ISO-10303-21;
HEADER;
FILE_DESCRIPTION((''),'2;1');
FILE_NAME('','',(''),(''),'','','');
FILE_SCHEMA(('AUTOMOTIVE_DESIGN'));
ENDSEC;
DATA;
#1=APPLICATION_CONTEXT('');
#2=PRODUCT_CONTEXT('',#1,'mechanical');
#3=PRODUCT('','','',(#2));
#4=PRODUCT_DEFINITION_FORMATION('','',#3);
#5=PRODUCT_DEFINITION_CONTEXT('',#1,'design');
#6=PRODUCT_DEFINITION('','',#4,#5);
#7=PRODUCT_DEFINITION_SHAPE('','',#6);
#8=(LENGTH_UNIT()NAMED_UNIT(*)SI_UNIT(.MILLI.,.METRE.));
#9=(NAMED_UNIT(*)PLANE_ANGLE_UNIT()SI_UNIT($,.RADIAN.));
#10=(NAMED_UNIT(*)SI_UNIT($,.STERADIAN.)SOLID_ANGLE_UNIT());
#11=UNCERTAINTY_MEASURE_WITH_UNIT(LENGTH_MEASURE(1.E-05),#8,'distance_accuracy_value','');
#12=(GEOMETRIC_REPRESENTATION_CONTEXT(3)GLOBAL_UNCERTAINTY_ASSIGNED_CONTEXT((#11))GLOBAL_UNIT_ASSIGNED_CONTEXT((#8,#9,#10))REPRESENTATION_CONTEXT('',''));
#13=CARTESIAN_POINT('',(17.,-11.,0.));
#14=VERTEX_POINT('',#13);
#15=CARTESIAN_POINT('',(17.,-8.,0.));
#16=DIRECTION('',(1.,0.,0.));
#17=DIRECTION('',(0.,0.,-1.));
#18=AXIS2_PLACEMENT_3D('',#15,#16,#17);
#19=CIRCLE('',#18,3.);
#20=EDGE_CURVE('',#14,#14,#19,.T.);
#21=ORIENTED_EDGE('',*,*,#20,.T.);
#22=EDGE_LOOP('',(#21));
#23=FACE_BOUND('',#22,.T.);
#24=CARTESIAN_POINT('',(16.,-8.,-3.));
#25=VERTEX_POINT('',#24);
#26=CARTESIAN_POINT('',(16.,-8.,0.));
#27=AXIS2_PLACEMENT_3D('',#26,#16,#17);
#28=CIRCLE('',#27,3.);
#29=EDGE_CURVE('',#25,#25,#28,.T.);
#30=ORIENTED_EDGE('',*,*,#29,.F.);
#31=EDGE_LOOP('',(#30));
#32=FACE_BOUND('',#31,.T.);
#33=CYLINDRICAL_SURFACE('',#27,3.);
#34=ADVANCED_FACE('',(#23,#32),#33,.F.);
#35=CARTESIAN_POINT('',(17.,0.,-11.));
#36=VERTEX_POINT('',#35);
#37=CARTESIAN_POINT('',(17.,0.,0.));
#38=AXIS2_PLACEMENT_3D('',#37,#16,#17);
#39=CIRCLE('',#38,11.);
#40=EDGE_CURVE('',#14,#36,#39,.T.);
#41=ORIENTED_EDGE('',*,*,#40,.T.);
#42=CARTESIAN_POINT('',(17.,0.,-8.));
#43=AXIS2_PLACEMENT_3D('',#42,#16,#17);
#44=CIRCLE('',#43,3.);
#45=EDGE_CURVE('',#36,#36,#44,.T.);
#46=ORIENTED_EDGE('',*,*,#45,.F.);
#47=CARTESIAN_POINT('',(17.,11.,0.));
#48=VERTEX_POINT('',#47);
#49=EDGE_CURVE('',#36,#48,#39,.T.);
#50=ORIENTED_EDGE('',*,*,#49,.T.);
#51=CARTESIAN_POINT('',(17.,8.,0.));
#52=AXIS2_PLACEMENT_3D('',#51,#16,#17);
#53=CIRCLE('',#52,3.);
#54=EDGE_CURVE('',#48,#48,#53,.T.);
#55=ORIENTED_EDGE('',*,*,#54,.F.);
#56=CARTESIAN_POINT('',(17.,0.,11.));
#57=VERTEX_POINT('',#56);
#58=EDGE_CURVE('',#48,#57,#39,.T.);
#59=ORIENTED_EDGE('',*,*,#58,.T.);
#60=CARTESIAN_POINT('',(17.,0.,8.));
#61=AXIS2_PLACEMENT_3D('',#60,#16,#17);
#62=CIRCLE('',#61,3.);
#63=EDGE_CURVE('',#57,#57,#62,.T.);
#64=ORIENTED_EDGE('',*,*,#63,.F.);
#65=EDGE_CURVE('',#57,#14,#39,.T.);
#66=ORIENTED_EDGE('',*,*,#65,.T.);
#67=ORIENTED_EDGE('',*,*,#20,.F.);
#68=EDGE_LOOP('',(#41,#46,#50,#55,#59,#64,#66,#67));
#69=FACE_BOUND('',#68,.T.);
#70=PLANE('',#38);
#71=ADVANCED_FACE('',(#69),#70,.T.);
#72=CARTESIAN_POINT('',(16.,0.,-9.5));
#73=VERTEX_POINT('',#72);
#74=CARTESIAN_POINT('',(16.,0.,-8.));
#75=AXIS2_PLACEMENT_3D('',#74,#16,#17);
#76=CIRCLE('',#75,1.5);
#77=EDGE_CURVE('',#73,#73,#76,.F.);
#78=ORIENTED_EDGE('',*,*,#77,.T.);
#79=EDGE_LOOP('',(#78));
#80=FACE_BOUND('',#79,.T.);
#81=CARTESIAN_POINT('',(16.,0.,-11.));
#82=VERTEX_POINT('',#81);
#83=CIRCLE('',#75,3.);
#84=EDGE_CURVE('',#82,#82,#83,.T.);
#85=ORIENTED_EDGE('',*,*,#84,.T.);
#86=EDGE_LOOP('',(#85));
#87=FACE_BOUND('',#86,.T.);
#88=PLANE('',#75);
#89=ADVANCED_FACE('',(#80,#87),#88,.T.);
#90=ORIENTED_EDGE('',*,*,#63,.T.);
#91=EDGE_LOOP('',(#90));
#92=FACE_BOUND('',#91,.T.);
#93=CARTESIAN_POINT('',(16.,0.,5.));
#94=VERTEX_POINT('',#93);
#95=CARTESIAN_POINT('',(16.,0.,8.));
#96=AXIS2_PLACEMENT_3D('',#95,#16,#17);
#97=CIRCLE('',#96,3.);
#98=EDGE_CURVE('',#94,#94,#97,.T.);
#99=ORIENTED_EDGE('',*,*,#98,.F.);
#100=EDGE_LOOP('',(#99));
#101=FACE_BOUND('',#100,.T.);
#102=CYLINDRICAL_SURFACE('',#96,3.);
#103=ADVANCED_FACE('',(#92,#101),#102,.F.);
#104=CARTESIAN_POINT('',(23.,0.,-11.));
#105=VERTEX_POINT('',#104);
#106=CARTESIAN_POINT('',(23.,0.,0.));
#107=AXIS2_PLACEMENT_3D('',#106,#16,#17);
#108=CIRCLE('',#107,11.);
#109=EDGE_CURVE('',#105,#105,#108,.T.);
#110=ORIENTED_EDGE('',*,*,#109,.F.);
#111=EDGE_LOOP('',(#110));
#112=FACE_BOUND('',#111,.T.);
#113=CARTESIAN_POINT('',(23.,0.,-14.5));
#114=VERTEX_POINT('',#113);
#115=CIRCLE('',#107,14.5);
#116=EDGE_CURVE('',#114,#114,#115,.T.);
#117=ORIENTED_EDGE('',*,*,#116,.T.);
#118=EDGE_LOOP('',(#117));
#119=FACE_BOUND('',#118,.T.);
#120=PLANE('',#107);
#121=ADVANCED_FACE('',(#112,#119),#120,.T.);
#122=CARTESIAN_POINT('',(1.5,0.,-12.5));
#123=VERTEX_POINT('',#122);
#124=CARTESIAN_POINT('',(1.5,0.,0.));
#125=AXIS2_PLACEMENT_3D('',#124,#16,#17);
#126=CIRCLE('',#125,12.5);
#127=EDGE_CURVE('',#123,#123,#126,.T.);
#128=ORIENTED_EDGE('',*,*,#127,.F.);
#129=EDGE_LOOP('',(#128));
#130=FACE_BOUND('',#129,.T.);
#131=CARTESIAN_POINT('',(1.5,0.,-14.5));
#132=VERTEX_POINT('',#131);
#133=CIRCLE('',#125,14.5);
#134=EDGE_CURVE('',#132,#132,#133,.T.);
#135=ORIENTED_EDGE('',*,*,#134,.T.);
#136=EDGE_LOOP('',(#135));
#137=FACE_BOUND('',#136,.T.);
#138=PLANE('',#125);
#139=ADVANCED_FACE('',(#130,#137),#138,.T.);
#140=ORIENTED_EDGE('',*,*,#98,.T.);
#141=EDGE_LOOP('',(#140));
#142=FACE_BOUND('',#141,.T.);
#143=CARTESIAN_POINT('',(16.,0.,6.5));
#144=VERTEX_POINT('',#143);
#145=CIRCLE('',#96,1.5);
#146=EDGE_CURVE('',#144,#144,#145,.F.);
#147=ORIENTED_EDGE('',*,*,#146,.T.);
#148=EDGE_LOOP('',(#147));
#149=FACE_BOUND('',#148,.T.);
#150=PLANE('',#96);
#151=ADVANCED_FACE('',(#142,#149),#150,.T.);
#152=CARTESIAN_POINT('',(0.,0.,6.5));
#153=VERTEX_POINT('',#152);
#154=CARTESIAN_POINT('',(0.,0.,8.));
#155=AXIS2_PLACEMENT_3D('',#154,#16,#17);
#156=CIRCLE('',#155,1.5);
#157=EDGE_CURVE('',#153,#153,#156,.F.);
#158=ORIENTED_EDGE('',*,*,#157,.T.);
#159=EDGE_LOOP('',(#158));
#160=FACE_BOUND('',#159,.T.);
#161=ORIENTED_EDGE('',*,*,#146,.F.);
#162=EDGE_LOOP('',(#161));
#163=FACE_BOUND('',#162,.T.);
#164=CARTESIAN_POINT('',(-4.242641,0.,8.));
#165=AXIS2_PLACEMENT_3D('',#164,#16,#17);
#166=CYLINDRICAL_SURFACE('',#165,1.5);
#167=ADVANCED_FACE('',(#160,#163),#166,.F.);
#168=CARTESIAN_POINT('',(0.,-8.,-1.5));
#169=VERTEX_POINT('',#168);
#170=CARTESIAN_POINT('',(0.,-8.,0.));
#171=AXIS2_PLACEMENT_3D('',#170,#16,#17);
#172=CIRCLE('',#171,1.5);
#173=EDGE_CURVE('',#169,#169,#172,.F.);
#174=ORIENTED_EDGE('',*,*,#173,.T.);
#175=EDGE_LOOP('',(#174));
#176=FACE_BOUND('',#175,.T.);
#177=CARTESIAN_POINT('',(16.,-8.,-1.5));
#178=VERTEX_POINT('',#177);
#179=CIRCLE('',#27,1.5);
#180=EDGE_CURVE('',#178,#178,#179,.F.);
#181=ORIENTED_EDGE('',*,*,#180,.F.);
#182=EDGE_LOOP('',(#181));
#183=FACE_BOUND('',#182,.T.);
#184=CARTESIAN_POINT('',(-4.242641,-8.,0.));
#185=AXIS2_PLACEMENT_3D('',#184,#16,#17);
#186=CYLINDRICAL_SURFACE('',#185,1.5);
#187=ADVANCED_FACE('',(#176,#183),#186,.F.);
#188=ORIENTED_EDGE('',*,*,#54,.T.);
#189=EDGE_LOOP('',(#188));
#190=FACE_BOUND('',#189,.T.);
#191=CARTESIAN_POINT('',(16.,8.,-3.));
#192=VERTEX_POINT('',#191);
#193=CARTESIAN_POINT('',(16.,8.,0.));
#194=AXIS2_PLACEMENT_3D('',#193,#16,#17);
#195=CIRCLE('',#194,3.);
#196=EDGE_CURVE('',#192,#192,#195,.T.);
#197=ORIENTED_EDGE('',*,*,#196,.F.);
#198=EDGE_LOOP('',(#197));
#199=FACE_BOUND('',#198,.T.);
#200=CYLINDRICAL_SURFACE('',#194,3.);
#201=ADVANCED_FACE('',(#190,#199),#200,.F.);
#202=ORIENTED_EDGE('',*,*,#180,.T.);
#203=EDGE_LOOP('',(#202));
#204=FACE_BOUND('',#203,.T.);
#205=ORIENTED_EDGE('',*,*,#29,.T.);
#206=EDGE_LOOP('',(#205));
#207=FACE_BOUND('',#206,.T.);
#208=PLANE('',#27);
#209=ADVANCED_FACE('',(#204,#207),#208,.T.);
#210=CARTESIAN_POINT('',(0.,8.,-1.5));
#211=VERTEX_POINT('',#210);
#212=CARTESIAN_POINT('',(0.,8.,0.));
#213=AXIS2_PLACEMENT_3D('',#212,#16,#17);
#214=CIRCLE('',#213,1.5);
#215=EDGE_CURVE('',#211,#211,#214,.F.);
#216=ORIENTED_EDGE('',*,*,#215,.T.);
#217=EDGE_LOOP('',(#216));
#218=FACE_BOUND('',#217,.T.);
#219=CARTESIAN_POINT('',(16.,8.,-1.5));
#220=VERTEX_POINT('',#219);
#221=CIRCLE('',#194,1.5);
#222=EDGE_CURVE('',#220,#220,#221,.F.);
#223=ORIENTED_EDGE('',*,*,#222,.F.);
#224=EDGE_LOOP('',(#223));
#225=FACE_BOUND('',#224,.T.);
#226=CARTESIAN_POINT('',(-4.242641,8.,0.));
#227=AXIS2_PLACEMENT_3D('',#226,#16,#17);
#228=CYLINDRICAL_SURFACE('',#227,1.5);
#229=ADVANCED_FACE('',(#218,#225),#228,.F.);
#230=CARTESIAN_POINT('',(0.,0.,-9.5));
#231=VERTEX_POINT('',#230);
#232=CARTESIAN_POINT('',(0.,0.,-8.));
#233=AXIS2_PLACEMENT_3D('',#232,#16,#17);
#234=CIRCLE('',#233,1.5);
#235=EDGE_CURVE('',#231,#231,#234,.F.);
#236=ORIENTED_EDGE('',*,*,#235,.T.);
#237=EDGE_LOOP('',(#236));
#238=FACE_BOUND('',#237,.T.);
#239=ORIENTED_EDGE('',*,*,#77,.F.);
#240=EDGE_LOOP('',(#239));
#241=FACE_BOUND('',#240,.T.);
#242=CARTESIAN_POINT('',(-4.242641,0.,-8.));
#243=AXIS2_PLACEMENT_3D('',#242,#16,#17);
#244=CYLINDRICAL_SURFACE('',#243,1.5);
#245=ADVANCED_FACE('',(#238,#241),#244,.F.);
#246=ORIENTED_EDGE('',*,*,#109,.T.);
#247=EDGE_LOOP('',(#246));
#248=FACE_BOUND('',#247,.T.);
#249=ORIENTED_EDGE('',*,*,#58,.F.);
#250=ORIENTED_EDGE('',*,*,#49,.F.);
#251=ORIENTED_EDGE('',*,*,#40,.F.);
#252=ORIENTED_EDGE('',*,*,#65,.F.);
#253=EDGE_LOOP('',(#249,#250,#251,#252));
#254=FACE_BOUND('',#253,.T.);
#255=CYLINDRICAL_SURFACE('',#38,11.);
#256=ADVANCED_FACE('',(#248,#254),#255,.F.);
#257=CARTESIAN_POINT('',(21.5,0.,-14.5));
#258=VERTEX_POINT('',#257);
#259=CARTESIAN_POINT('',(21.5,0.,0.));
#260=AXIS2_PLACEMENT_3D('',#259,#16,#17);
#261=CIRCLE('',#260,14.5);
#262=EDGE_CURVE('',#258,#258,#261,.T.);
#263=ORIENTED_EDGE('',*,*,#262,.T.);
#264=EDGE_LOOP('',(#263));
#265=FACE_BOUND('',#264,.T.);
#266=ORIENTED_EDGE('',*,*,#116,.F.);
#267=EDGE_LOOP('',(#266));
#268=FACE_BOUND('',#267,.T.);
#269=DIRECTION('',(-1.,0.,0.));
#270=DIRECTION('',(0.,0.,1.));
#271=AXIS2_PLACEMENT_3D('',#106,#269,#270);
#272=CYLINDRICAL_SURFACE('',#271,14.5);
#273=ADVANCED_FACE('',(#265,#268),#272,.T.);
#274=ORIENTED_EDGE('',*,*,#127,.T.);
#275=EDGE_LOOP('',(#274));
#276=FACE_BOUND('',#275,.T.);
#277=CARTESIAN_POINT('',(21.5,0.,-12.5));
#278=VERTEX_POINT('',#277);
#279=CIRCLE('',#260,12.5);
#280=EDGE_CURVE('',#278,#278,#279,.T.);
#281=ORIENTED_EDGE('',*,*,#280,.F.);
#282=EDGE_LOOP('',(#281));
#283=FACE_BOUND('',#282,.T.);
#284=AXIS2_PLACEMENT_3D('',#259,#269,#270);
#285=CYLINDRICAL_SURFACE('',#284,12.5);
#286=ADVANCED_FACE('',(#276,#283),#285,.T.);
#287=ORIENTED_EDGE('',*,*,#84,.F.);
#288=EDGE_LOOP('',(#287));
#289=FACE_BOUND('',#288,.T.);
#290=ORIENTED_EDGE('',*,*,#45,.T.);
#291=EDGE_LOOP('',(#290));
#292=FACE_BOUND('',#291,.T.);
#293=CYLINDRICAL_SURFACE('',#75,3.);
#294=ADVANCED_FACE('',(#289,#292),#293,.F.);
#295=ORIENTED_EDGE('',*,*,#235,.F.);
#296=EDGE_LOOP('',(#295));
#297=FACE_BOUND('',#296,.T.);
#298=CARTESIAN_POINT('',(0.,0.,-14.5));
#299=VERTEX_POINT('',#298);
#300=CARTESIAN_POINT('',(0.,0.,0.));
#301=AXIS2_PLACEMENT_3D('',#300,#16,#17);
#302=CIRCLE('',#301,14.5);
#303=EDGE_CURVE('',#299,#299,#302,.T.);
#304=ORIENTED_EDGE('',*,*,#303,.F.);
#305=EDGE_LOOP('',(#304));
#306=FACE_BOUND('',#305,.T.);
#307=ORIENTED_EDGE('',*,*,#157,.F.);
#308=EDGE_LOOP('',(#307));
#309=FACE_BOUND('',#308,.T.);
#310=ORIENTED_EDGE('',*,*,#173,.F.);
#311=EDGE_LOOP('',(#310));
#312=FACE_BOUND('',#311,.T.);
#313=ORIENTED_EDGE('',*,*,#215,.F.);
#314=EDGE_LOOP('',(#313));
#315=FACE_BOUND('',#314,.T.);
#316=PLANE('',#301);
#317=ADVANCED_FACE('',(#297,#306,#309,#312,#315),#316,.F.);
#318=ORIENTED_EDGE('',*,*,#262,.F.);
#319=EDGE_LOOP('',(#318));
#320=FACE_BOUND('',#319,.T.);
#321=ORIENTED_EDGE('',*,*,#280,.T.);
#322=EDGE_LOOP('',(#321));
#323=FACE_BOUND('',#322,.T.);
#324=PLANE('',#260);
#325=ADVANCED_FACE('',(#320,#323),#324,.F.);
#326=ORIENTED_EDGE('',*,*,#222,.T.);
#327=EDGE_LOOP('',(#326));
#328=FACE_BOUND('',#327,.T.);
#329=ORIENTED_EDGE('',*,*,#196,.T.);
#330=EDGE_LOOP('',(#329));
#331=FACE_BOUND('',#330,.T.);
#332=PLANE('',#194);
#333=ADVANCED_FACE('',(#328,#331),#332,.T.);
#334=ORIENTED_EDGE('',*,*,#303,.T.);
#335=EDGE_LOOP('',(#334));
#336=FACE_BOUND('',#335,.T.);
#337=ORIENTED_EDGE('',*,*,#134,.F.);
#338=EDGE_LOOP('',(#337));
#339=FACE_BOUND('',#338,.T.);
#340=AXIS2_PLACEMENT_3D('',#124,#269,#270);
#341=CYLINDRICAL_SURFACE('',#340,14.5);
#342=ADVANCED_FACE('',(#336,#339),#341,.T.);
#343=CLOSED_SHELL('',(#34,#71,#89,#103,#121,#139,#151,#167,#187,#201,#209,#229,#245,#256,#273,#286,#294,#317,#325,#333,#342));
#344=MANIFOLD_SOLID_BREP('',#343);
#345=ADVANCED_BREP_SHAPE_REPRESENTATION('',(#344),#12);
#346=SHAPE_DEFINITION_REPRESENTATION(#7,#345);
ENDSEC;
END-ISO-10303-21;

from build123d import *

# Parameters (mm, degrees)
SKETCH1_R           = 14.5
BOSS_EXTRUDE1_DEPTH = 1.5
SKETCH2_R           = 12.5
BOSS_EXTRUDE2_DEPTH = 20
SKETCH3_R           = 14.5
BOSS_EXTRUDE3_DEPTH = 1.5
SKETCH4_R           = 11
CUT_EXTRUDE1_DEPTH  = 6
SKETCH5_R           = 1.5
CUT_EXTRUDE2_DEPTH  = 17
SKETCH6_R           = 3
CUT_EXTRUDE3_DEPTH  = 1


with BuildPart() as part:
    # Sketch1 → Boss-Extrude1 (new body)
    with BuildSketch(Plane(origin=(0, 0, 0), x_dir=(0, 0, -1), z_dir=(1, 0, 0))):
        Circle(SKETCH1_R)
    extrude(amount=BOSS_EXTRUDE1_DEPTH)

    # Sketch2 → Boss-Extrude2 (add)
    with BuildSketch(Plane(origin=(1.5, 0, 0), x_dir=(0, 0, -1), z_dir=(1, 0, 0))):
        Circle(SKETCH2_R)
    extrude(amount=BOSS_EXTRUDE2_DEPTH)

    # Sketch3 → Boss-Extrude3 (add)
    with BuildSketch(Plane(origin=(21.5, 0, 0), x_dir=(0, 0, -1), z_dir=(1, 0, 0))):
        Circle(SKETCH3_R)
    extrude(amount=BOSS_EXTRUDE3_DEPTH)

    # Sketch4 → Cut-Extrude1 (cut)
    with BuildSketch(Plane(origin=(23, 0, 0), x_dir=(0, 0, -1), z_dir=(1, 0, 0))):
        Circle(SKETCH4_R)
    extrude(amount=-CUT_EXTRUDE1_DEPTH, mode=Mode.SUBTRACT)

    # Sketch5 → Cut-Extrude2 (cut)
    with BuildSketch(Plane(origin=(17, 0, 0), x_dir=(0, 0, -1), z_dir=(1, 0, 0))):
        with Locations((0, 8)):
            Circle(SKETCH5_R)
        with Locations((8, 0)):
            Circle(SKETCH5_R)
        with Locations((0, -8)):
            Circle(SKETCH5_R)
        with Locations((-8, 0)):
            Circle(SKETCH5_R)
    extrude(amount=-CUT_EXTRUDE2_DEPTH, mode=Mode.SUBTRACT)

    # Sketch6 → Cut-Extrude3 (cut)
    with BuildSketch(Plane(origin=(17, 0, 0), x_dir=(0, 0, -1), z_dir=(1, 0, 0))):
        with Locations((0, 8)):
            Circle(SKETCH6_R)
        with Locations((8, 0)):
            Circle(SKETCH6_R)
        with Locations((0, -8)):
            Circle(SKETCH6_R)
        with Locations((-8, 0)):
            Circle(SKETCH6_R)
    extrude(amount=-CUT_EXTRUDE3_DEPTH, mode=Mode.SUBTRACT)


solid = part.part
